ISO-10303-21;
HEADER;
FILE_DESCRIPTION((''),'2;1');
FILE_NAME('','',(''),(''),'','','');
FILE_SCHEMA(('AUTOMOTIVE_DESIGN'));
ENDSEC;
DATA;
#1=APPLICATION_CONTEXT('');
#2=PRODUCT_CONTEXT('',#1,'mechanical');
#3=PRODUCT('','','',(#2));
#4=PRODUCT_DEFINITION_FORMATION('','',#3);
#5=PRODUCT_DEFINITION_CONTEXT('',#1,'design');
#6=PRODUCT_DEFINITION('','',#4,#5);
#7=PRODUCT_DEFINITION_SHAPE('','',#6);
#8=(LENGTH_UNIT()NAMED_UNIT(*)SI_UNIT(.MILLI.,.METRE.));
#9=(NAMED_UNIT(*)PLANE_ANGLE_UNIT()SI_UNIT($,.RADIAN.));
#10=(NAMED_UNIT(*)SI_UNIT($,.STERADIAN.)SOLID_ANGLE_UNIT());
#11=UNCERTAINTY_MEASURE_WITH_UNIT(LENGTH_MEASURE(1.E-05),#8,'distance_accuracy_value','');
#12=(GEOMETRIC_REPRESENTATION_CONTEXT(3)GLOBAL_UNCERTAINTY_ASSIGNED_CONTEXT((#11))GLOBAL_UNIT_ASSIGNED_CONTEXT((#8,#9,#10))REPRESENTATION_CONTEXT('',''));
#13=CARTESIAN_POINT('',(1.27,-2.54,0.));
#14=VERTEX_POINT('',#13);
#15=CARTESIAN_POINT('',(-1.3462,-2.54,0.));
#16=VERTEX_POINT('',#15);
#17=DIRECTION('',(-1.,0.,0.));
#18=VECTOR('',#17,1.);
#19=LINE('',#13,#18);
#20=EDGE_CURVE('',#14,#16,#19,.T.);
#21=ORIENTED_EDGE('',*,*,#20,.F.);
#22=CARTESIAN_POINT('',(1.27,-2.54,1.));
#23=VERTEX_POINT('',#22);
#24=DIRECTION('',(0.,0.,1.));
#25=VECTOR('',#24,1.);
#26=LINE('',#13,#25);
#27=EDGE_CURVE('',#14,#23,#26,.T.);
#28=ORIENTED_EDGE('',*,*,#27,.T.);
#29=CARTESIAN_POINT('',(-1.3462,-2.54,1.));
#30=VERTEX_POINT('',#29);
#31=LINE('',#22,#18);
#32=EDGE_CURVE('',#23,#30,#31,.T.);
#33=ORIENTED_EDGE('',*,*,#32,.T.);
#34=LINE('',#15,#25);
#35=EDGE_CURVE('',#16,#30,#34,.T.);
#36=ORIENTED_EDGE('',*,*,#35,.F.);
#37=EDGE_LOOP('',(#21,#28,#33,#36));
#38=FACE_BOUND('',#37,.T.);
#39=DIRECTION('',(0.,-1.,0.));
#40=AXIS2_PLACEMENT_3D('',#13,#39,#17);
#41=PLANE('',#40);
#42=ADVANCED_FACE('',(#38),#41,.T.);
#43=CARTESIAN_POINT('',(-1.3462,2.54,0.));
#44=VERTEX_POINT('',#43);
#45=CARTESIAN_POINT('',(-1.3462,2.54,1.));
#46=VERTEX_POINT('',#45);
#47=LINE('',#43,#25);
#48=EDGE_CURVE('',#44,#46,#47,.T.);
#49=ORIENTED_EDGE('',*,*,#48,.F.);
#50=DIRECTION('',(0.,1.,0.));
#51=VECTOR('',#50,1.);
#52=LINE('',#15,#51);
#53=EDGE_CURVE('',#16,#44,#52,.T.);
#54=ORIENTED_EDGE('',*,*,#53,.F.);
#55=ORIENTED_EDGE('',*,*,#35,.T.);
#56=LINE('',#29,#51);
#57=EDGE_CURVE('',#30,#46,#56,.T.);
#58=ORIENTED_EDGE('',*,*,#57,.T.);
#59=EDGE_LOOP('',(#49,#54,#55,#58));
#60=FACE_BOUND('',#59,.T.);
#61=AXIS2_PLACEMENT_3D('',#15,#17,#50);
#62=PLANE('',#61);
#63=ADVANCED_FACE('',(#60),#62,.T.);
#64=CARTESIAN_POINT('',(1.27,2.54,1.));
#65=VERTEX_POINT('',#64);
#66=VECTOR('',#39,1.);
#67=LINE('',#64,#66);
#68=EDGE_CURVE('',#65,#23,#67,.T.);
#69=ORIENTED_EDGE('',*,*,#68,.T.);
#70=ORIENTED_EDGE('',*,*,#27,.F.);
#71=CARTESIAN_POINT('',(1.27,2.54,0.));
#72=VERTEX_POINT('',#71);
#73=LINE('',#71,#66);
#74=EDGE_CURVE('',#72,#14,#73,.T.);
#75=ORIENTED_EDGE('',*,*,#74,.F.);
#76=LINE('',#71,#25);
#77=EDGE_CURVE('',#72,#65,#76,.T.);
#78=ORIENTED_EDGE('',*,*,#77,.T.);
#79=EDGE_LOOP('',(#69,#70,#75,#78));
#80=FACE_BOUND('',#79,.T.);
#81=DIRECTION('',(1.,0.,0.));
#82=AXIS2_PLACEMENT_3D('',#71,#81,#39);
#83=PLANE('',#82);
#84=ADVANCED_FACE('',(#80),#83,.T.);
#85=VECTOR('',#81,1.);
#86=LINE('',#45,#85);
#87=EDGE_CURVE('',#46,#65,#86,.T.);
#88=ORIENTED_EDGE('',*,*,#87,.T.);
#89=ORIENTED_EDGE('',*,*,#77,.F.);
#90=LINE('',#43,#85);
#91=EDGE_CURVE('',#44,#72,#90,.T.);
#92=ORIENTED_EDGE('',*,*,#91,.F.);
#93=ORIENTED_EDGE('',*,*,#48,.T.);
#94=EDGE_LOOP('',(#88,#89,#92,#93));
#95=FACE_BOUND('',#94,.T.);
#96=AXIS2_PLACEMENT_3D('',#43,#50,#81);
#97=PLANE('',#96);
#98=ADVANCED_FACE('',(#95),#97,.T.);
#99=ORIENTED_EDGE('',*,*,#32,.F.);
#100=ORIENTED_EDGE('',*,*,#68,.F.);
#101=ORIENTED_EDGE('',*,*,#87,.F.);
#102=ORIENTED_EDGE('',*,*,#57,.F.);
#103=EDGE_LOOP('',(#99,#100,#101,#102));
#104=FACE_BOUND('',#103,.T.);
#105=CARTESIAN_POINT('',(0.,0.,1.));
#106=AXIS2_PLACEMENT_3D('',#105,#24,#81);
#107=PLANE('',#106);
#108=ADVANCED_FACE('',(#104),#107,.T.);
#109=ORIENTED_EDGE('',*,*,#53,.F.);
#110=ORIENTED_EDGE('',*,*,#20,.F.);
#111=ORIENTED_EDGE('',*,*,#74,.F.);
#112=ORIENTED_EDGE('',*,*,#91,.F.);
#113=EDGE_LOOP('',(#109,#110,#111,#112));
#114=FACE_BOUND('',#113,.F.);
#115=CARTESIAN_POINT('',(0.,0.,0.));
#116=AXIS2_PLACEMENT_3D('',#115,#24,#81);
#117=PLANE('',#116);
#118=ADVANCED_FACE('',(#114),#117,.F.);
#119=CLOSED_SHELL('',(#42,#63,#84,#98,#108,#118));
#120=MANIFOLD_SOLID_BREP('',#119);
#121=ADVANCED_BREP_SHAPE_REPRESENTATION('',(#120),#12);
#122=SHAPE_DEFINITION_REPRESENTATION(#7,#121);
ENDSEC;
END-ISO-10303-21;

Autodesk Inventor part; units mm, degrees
ref_plane "YZ Plane" through (0, 0, 0) normal (1, 0, 0) x (0, 1, 0)
ref_plane "XZ Plane" through (0, 0, 0) normal (0, 1, 0) x (-1, 0, 0)
ref_plane "XY Plane" through (0, 0, 0) normal (0, 0, 1) x (1, 0, 0)
sketch "JP1, LED1_PWR_79" plane through (0, 0, 0) normal (0, 0, 1) x (1, 0, 0)
  line L0 (-1.3462, 2.54) -> (1.27, 2.54)
  line L1 (1.27, 2.54) -> (1.27, -2.54)
  line L2 (1.27, -2.54) -> (-1.3462, -2.54)
  line L3 (-1.3462, -2.54) -> (-1.3462, 2.54)
extrude "Extrusion1" add sketch "JP1, LED1_PWR_79" along normal blind 1
properties part number "LED1_PWR"
